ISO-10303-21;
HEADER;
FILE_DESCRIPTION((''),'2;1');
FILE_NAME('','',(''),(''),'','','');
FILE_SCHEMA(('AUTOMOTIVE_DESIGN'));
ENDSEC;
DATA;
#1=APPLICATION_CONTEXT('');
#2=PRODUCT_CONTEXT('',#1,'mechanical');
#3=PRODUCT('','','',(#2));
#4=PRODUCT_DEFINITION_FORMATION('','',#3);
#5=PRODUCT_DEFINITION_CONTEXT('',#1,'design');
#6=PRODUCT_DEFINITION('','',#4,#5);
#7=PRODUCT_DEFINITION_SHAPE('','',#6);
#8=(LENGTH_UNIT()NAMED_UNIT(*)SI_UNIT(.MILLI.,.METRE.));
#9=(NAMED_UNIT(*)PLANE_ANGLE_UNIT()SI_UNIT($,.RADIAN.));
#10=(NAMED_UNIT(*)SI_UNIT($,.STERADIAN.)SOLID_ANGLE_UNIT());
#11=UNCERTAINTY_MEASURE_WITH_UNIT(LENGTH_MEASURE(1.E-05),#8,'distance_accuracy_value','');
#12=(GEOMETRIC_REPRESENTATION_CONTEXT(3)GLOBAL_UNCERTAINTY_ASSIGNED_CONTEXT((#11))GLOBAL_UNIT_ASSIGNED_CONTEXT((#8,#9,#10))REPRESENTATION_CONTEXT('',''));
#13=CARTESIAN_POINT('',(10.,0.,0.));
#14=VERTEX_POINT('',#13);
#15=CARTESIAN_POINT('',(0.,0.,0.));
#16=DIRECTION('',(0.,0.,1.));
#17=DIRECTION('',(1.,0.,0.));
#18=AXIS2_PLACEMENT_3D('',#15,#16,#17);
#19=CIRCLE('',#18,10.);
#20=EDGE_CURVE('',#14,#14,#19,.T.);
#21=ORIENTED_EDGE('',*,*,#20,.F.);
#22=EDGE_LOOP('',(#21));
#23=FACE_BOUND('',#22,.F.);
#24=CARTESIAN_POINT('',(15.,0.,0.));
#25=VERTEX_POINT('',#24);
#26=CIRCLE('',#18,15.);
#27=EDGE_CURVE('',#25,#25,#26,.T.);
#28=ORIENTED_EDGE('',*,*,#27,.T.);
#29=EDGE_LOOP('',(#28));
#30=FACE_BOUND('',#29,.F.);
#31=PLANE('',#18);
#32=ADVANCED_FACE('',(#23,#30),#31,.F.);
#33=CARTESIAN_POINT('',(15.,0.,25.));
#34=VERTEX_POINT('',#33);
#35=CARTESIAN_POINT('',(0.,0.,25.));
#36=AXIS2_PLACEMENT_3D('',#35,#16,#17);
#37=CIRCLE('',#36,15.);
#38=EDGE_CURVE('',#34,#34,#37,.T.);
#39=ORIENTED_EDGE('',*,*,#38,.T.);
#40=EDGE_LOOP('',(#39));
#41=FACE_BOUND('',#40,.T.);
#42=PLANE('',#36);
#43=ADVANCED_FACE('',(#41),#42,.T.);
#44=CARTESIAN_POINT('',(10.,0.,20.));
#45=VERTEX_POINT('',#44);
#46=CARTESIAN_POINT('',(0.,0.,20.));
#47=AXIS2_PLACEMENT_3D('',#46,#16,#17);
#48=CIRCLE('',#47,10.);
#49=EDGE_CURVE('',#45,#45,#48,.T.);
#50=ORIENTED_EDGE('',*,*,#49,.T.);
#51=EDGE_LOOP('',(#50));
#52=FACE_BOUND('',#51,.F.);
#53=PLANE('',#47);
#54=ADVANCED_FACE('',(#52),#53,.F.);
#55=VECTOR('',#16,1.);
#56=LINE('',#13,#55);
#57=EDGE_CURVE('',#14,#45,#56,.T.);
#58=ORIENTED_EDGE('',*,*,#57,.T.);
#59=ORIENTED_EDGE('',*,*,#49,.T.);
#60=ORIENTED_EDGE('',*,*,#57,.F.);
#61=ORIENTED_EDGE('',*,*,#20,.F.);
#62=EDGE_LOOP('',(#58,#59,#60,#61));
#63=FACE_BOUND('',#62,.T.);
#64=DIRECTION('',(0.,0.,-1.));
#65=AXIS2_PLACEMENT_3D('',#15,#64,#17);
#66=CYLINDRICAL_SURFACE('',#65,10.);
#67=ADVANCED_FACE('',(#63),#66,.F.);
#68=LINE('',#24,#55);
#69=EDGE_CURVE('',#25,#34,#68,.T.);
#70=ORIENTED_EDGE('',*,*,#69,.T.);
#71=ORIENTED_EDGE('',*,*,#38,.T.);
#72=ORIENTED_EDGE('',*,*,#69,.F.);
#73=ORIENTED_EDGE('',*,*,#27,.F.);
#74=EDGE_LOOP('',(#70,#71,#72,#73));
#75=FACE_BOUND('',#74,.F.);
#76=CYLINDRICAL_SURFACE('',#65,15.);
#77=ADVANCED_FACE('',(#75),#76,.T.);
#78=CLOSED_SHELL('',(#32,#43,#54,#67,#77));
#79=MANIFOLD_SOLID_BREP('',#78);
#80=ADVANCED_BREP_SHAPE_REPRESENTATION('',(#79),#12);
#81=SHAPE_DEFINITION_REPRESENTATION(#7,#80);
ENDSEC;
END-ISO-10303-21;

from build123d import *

# Parameters (mm, degrees)
F0_R     = 15
F0_R_2   = 10
F1_DEPTH = 25
F2_DEPTH = 20


with BuildPart() as f1:
    # F0 (on Top) → F1 (new body)
    with BuildSketch(Plane.XY):
        Circle(F0_R)
        Circle(F0_R_2, mode=Mode.SUBTRACT)
        Circle(F0_R_2)
    extrude(amount=F1_DEPTH)

    # F0 (on Top) → F2 (cut)
    with BuildSketch(Plane.XY):
        Circle(F0_R_2)
    extrude(amount=F2_DEPTH, mode=Mode.SUBTRACT)


solid = f1.part
